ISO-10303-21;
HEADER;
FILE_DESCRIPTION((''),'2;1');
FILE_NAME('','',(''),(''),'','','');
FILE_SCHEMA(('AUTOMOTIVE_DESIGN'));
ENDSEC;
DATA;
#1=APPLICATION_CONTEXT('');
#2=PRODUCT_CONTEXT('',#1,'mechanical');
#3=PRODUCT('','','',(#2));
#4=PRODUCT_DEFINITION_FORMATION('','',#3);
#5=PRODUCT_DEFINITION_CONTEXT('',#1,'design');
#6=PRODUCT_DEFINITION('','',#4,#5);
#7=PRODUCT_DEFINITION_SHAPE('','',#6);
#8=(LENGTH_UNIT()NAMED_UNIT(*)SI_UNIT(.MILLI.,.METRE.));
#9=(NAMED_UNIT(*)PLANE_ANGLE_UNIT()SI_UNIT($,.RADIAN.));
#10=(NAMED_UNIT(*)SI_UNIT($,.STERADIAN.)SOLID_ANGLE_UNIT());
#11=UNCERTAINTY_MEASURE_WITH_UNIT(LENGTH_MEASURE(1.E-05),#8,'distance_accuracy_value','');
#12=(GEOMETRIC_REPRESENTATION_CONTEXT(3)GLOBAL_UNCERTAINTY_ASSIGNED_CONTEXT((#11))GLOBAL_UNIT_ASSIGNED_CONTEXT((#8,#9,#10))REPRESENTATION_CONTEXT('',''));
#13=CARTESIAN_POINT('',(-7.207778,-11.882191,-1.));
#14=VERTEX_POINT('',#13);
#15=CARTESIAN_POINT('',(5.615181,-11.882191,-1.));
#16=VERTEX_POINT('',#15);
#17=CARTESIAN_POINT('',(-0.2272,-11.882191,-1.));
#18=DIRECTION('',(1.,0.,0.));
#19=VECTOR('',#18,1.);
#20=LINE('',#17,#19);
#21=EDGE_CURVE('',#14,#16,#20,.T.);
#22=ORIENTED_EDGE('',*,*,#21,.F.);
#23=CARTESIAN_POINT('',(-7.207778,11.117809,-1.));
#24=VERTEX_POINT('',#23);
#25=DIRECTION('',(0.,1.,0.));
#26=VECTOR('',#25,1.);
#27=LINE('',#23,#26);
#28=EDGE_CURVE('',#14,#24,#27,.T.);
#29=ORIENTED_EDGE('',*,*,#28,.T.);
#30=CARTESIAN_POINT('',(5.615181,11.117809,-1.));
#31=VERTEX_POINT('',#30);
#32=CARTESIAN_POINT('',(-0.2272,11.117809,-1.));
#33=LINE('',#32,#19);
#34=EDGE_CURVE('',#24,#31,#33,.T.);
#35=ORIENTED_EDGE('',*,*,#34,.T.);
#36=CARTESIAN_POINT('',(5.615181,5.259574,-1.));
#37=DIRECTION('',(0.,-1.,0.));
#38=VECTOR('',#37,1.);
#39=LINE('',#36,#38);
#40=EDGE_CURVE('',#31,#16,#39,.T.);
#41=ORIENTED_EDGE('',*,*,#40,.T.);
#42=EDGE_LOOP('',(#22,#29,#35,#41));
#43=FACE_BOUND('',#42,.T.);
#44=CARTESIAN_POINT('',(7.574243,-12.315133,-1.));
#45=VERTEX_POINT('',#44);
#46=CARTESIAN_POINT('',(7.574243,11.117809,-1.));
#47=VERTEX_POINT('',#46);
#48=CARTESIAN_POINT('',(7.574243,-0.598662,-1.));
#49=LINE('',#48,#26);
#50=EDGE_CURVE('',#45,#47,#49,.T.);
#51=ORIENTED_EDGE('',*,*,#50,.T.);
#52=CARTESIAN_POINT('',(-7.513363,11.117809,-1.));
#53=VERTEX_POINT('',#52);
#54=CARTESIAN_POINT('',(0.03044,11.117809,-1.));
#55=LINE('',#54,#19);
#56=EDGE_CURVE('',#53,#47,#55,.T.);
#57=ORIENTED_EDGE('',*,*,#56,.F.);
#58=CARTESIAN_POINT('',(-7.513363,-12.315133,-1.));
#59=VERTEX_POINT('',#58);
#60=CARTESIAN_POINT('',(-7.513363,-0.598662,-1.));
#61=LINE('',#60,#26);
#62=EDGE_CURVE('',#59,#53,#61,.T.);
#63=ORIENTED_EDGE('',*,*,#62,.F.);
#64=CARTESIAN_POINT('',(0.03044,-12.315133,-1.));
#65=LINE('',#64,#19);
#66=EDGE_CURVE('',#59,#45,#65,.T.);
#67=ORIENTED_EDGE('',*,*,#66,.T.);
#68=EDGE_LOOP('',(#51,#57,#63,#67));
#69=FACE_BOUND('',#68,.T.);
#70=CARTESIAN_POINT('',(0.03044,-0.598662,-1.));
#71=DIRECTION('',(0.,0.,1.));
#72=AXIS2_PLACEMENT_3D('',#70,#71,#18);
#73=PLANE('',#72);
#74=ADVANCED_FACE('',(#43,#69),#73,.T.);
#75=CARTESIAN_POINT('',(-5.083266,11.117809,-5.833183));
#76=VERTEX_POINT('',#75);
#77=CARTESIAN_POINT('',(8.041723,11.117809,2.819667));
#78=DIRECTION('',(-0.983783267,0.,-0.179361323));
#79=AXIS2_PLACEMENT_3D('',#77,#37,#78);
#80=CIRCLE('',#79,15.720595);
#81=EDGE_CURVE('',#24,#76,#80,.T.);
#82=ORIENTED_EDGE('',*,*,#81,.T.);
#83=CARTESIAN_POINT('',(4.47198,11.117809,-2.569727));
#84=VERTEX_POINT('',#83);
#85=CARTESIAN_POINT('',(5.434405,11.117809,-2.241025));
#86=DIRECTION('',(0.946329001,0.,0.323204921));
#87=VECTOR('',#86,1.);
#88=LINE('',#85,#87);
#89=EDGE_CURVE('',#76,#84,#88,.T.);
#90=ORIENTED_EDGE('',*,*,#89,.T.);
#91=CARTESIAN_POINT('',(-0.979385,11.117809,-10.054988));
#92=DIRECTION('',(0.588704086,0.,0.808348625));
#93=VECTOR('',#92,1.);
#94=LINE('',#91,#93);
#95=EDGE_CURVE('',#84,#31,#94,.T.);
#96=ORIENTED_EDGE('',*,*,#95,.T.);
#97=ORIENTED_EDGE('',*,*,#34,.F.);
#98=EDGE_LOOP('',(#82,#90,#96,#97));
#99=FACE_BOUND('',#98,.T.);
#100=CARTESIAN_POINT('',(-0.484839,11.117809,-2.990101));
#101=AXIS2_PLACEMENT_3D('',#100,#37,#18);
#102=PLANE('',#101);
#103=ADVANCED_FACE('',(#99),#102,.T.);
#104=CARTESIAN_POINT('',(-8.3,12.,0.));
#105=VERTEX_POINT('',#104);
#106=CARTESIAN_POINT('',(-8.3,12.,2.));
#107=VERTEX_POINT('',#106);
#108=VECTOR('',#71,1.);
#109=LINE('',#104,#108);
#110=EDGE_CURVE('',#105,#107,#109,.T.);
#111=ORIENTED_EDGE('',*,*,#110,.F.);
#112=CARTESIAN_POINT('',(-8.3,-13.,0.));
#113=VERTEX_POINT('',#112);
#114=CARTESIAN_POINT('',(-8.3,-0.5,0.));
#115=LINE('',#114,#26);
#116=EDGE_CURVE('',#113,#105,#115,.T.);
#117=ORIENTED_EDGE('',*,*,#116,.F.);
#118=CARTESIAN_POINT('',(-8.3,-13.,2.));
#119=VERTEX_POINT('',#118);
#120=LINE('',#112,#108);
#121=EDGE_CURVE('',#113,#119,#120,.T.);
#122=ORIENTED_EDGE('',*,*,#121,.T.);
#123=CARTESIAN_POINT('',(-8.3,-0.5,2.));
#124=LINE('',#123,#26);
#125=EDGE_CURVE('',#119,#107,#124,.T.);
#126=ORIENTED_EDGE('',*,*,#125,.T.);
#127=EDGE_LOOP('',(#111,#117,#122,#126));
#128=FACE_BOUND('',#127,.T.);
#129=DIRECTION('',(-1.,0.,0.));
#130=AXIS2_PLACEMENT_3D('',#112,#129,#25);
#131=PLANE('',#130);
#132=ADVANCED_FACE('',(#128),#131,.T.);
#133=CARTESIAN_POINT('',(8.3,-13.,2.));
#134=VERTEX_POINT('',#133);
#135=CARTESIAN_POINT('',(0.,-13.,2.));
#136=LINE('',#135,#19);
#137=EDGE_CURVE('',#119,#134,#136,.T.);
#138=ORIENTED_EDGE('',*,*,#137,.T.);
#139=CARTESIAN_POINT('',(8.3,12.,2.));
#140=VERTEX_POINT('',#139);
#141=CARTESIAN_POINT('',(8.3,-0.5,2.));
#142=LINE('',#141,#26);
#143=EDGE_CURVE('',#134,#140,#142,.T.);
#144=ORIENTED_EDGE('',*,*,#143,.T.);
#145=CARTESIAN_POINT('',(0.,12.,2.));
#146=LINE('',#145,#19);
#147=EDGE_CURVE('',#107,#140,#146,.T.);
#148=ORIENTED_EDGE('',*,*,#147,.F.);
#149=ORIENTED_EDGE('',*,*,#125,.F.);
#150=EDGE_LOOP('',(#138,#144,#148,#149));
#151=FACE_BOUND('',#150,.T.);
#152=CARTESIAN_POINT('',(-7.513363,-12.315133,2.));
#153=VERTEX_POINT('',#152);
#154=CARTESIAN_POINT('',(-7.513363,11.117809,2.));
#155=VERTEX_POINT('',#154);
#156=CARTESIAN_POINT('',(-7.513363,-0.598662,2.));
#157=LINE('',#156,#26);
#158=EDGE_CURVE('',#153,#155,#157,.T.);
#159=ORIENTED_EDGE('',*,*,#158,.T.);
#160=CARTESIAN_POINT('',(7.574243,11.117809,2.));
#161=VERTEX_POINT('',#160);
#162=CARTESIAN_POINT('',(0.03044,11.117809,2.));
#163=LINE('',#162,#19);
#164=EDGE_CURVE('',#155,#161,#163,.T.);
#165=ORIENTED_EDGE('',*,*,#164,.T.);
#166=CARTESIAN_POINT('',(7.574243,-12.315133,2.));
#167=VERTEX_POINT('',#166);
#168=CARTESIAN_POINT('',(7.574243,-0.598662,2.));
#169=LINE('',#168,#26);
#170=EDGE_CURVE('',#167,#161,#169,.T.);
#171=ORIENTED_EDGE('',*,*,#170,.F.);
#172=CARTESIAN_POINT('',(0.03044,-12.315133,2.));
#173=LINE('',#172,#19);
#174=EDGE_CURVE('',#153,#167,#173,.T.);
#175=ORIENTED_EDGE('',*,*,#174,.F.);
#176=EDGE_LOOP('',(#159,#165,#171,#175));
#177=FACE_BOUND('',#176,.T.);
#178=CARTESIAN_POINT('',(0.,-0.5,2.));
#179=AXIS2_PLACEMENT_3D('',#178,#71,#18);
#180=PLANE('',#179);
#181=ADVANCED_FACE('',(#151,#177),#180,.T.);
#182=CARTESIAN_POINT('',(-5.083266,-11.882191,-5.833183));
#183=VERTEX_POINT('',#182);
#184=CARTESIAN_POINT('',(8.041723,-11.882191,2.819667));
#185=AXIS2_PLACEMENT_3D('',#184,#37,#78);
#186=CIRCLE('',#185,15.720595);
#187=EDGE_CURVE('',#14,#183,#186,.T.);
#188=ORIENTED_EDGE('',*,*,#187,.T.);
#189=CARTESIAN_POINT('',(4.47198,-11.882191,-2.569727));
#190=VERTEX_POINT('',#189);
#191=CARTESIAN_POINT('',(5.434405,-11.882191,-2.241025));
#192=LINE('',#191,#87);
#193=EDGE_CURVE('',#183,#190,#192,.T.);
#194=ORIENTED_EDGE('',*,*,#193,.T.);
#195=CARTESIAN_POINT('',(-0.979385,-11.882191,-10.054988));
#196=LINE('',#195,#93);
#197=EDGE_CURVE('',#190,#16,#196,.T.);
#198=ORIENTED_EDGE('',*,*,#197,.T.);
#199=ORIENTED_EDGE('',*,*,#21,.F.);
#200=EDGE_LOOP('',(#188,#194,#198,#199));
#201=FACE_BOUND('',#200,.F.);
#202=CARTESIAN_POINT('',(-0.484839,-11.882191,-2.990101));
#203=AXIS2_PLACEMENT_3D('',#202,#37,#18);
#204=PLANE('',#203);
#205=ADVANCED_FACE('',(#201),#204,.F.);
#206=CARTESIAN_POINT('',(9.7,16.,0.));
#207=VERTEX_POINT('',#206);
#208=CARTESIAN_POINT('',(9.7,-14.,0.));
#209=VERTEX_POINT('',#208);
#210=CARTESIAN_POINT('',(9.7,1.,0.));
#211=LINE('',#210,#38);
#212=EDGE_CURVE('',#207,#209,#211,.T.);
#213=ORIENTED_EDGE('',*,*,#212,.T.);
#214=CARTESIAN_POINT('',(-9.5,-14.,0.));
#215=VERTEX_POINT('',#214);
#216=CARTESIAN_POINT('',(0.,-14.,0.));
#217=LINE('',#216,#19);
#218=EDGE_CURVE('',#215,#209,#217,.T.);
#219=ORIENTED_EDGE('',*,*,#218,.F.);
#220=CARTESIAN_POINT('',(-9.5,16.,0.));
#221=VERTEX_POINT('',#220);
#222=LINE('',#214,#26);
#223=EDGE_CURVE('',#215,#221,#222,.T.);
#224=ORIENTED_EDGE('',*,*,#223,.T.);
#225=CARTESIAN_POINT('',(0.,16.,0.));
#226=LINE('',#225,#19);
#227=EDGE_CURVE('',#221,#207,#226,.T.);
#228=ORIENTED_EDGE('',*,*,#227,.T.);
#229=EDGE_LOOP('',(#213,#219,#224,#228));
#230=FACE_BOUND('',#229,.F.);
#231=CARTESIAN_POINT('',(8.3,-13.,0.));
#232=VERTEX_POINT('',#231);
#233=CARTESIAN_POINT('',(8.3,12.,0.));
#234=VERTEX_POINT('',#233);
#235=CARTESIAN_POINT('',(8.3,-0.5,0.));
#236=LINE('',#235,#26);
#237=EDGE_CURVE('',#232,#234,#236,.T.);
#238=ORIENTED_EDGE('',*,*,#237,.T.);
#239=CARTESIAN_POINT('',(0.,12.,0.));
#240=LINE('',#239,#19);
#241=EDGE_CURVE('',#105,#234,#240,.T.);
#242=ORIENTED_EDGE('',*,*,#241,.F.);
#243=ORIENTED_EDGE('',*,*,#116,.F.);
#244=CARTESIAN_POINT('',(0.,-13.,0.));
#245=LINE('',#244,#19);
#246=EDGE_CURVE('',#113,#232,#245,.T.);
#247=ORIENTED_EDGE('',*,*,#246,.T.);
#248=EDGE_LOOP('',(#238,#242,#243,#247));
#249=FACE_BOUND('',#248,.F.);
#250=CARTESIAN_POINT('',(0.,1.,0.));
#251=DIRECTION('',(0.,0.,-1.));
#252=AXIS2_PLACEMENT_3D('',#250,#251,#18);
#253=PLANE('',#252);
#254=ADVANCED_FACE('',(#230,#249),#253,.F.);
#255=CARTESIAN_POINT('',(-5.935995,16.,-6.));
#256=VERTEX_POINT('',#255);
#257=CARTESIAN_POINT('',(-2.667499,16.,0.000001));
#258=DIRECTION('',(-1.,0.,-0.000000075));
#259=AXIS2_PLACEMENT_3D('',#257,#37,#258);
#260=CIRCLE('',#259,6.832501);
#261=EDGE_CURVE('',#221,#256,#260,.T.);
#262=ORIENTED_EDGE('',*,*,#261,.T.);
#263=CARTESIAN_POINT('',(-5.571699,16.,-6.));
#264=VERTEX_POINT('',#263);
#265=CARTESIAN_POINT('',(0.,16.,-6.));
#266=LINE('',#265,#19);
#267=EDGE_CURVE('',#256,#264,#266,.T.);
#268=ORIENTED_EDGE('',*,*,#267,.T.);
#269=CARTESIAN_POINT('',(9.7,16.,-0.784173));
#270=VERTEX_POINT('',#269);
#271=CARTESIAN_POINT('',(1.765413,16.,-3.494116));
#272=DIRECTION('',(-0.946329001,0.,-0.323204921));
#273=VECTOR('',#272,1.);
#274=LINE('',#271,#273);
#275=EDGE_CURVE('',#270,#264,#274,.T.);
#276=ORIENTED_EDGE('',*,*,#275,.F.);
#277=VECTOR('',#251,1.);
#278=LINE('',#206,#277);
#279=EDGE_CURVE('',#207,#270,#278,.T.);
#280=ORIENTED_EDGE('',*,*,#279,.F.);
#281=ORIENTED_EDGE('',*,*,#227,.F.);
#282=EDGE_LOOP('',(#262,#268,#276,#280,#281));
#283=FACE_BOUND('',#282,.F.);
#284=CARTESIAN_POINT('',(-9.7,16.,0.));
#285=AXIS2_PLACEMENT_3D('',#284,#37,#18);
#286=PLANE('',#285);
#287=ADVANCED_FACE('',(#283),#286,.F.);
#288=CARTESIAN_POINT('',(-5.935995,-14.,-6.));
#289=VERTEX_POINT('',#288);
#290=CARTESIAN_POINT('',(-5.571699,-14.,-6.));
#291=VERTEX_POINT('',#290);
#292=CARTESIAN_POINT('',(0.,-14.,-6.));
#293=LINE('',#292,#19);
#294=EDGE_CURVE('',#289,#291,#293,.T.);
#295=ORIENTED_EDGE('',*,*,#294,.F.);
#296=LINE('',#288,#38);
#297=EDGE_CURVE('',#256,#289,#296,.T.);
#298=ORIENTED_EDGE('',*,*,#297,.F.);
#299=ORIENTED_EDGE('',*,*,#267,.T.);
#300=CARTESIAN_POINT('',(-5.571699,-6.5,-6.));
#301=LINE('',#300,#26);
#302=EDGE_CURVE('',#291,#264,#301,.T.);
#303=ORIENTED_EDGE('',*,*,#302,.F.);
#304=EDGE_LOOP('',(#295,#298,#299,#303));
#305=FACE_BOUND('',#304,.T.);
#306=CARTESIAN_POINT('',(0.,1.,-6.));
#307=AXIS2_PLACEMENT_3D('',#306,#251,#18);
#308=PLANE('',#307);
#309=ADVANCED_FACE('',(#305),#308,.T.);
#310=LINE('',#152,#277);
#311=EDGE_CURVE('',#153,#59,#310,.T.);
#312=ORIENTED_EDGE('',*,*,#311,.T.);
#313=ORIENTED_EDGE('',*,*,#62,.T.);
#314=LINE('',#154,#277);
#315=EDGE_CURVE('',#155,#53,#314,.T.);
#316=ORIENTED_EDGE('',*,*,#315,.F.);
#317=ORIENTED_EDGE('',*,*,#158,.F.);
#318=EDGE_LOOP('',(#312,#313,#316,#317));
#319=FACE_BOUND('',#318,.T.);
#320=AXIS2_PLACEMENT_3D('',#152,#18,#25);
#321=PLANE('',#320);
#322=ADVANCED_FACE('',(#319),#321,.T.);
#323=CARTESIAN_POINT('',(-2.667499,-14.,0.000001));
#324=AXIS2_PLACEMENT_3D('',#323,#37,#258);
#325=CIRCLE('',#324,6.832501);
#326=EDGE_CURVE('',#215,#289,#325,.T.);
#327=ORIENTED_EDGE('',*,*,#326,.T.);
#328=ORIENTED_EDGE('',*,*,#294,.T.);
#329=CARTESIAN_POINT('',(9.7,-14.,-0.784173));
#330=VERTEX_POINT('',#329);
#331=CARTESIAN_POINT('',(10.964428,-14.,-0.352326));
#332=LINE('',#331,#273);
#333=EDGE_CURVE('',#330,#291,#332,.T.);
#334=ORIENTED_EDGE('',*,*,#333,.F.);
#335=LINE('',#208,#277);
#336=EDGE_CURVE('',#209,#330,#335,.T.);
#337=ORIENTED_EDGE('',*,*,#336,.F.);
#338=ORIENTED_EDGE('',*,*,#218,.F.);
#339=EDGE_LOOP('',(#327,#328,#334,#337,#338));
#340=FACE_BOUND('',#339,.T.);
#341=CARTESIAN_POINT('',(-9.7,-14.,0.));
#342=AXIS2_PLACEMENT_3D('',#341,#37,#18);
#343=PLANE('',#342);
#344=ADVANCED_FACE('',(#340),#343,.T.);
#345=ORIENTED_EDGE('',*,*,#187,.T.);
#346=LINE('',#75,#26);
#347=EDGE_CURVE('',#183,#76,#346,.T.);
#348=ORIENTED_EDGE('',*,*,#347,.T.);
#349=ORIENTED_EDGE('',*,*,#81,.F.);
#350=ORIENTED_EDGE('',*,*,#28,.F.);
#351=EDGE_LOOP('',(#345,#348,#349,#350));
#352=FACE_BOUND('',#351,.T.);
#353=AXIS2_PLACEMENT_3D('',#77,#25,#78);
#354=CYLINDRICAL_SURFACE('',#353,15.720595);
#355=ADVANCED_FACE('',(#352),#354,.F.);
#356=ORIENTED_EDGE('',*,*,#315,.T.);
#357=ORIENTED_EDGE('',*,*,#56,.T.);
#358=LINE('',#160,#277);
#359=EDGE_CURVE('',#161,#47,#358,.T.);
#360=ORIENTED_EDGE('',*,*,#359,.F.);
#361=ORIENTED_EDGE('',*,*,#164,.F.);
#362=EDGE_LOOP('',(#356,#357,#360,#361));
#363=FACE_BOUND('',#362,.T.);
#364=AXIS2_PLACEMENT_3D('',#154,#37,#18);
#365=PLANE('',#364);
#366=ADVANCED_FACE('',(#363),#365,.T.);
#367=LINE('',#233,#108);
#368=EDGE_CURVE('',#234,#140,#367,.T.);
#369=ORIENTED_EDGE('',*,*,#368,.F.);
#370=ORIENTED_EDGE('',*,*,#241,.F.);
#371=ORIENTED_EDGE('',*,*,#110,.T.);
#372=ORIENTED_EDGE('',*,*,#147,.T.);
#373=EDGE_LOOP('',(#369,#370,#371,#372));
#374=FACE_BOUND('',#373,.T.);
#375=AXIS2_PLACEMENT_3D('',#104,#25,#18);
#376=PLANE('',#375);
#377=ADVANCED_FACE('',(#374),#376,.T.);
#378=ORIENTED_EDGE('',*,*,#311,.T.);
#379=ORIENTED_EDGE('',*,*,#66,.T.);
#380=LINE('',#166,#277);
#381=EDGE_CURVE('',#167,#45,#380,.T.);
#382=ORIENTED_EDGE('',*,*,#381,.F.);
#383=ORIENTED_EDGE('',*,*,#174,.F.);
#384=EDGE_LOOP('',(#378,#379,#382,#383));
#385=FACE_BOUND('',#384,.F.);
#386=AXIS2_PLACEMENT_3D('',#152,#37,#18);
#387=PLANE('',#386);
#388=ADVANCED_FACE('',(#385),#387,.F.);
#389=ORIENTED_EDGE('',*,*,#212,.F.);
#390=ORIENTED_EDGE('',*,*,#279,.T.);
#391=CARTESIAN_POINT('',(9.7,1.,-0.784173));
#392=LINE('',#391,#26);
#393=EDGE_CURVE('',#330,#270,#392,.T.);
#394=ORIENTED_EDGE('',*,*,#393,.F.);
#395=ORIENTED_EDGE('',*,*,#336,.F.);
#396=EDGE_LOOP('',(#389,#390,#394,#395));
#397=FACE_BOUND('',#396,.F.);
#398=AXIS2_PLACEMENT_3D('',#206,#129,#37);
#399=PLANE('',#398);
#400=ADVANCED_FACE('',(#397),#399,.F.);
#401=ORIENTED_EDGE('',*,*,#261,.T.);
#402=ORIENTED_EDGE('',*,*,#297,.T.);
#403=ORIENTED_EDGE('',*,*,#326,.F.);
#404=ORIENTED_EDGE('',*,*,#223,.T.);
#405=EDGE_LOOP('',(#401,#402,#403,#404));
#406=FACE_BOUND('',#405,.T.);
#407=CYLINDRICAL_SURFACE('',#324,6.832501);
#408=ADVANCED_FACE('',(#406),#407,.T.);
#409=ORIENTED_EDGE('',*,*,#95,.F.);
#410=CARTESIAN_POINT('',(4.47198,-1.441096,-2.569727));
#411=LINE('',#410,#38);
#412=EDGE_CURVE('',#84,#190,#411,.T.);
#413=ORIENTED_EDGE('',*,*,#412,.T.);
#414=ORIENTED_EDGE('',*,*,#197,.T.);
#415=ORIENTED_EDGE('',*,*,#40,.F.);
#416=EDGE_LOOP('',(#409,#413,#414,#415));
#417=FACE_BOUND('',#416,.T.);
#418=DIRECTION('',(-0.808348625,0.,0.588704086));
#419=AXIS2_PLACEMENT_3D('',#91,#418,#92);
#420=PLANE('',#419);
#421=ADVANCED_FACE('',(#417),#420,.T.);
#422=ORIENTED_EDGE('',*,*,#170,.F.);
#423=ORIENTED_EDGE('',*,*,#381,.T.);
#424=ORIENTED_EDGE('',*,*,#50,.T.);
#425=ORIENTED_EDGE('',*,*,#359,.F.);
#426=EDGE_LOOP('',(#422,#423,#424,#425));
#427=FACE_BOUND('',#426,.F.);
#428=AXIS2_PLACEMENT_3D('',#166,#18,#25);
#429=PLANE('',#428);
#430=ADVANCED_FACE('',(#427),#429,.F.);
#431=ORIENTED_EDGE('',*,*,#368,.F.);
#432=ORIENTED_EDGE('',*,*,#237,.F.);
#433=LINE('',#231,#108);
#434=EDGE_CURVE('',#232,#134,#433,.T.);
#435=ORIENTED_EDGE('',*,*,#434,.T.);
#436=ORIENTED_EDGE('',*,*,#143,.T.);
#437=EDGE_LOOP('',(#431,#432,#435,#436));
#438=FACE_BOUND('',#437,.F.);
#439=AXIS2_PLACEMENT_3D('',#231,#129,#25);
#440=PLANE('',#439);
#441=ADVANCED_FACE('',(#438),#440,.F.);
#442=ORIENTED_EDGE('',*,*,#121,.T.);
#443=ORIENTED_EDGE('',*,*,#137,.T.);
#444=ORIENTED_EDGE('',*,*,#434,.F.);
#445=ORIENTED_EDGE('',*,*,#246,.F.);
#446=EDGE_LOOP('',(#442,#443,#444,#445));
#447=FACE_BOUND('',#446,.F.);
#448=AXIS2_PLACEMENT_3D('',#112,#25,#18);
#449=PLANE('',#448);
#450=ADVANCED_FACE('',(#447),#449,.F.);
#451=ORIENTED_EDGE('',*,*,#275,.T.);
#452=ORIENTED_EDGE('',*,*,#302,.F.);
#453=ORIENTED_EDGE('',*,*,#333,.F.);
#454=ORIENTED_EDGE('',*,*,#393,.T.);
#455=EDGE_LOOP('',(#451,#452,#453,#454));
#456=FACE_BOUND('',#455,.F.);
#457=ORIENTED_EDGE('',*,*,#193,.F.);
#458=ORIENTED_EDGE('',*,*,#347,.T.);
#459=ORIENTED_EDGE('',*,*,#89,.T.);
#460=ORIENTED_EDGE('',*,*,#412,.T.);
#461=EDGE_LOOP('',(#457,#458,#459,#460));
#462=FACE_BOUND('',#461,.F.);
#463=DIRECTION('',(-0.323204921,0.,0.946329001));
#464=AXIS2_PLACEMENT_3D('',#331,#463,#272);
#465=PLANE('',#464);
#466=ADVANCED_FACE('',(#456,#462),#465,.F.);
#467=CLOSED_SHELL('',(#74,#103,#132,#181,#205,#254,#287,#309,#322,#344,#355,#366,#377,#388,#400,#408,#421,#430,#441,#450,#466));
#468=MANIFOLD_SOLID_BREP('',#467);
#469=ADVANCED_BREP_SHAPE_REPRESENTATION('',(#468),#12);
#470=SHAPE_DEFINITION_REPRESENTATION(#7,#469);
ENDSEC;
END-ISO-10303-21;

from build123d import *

# Parameters (mm, degrees)
SKETCH_W        = 16.6
SKETCH_H        = 25
PAD_DEPTH       = 2
SKETCH001_W     = 19.4
SKETCH001_H     = 30
PAD001_DEPTH    = 6
POCKET_DEPTH    = 30.001
SKETCH003_W     = 15.087606
SKETCH003_H     = 23.432943
POCKET001_DEPTH = 3
POCKET002_DEPTH = 23


with BuildPart() as part:
    # Sketch → Pad (new body)
    with BuildSketch(Plane.XY):
        with Locations((0, -0.5)):
            Rectangle(SKETCH_W, SKETCH_H)
    extrude(amount=PAD_DEPTH)

    # Sketch001 (on Face5 of Pad) → Pad001 (join)
    with BuildSketch(Plane(origin=(0, 0, 0), x_dir=(1, 0, 0), z_dir=(0, 0, -1))):
        with Locations((0, -1)):
            Rectangle(SKETCH001_W, SKETCH001_H)
    extrude(amount=PAD001_DEPTH)

    # Sketch002 (on Face1 of Pad001) → Pocket (cut, through all)
    with BuildSketch(Plane.XZ.offset(14)):
        with BuildLine():
            ThreePointArc((-9.5, 0), (-8.500128, -3.558582), (-5.793155, -6.075635))
            Line((10.964428, -0.352326), (-5.793155, -6.075635))
            Line((10.964428, -0.352326), (10.392425, -13.720259))
            Line((10.392425, -13.720259), (-15.284175, -12.512696))
            Line((-9.5, 2.985816), (-15.284175, -12.512696))
            Line((-9.5, 0), (-9.5, 2.985816))
        make_face()
    extrude(amount=-POCKET_DEPTH, mode=Mode.SUBTRACT)

    # Sketch003 (on Face12 of Pocket) → Pocket001 (cut)
    with BuildSketch(Plane.XY.offset(2)):
        with Locations((0.03044, -0.598662)):
            Rectangle(SKETCH003_W, SKETCH003_H)
    extrude(amount=-POCKET001_DEPTH, mode=Mode.SUBTRACT)

    # Sketch004 (on Face13 of Pocket001) → Pocket002 (cut)
    with BuildSketch(Plane.XZ.offset(-11.117809)):
        with BuildLine():
            Line((7.061974, 0.986589), (-7.423936, 0))
            ThreePointArc((-7.423936, 0), (-5.193689, -5.663316), (-0.979385, -10.054988))
            Line((-0.979385, -10.054988), (7.061974, 0.986589))
        make_face()
    extrude(amount=POCKET002_DEPTH, mode=Mode.SUBTRACT)


solid = part.part
